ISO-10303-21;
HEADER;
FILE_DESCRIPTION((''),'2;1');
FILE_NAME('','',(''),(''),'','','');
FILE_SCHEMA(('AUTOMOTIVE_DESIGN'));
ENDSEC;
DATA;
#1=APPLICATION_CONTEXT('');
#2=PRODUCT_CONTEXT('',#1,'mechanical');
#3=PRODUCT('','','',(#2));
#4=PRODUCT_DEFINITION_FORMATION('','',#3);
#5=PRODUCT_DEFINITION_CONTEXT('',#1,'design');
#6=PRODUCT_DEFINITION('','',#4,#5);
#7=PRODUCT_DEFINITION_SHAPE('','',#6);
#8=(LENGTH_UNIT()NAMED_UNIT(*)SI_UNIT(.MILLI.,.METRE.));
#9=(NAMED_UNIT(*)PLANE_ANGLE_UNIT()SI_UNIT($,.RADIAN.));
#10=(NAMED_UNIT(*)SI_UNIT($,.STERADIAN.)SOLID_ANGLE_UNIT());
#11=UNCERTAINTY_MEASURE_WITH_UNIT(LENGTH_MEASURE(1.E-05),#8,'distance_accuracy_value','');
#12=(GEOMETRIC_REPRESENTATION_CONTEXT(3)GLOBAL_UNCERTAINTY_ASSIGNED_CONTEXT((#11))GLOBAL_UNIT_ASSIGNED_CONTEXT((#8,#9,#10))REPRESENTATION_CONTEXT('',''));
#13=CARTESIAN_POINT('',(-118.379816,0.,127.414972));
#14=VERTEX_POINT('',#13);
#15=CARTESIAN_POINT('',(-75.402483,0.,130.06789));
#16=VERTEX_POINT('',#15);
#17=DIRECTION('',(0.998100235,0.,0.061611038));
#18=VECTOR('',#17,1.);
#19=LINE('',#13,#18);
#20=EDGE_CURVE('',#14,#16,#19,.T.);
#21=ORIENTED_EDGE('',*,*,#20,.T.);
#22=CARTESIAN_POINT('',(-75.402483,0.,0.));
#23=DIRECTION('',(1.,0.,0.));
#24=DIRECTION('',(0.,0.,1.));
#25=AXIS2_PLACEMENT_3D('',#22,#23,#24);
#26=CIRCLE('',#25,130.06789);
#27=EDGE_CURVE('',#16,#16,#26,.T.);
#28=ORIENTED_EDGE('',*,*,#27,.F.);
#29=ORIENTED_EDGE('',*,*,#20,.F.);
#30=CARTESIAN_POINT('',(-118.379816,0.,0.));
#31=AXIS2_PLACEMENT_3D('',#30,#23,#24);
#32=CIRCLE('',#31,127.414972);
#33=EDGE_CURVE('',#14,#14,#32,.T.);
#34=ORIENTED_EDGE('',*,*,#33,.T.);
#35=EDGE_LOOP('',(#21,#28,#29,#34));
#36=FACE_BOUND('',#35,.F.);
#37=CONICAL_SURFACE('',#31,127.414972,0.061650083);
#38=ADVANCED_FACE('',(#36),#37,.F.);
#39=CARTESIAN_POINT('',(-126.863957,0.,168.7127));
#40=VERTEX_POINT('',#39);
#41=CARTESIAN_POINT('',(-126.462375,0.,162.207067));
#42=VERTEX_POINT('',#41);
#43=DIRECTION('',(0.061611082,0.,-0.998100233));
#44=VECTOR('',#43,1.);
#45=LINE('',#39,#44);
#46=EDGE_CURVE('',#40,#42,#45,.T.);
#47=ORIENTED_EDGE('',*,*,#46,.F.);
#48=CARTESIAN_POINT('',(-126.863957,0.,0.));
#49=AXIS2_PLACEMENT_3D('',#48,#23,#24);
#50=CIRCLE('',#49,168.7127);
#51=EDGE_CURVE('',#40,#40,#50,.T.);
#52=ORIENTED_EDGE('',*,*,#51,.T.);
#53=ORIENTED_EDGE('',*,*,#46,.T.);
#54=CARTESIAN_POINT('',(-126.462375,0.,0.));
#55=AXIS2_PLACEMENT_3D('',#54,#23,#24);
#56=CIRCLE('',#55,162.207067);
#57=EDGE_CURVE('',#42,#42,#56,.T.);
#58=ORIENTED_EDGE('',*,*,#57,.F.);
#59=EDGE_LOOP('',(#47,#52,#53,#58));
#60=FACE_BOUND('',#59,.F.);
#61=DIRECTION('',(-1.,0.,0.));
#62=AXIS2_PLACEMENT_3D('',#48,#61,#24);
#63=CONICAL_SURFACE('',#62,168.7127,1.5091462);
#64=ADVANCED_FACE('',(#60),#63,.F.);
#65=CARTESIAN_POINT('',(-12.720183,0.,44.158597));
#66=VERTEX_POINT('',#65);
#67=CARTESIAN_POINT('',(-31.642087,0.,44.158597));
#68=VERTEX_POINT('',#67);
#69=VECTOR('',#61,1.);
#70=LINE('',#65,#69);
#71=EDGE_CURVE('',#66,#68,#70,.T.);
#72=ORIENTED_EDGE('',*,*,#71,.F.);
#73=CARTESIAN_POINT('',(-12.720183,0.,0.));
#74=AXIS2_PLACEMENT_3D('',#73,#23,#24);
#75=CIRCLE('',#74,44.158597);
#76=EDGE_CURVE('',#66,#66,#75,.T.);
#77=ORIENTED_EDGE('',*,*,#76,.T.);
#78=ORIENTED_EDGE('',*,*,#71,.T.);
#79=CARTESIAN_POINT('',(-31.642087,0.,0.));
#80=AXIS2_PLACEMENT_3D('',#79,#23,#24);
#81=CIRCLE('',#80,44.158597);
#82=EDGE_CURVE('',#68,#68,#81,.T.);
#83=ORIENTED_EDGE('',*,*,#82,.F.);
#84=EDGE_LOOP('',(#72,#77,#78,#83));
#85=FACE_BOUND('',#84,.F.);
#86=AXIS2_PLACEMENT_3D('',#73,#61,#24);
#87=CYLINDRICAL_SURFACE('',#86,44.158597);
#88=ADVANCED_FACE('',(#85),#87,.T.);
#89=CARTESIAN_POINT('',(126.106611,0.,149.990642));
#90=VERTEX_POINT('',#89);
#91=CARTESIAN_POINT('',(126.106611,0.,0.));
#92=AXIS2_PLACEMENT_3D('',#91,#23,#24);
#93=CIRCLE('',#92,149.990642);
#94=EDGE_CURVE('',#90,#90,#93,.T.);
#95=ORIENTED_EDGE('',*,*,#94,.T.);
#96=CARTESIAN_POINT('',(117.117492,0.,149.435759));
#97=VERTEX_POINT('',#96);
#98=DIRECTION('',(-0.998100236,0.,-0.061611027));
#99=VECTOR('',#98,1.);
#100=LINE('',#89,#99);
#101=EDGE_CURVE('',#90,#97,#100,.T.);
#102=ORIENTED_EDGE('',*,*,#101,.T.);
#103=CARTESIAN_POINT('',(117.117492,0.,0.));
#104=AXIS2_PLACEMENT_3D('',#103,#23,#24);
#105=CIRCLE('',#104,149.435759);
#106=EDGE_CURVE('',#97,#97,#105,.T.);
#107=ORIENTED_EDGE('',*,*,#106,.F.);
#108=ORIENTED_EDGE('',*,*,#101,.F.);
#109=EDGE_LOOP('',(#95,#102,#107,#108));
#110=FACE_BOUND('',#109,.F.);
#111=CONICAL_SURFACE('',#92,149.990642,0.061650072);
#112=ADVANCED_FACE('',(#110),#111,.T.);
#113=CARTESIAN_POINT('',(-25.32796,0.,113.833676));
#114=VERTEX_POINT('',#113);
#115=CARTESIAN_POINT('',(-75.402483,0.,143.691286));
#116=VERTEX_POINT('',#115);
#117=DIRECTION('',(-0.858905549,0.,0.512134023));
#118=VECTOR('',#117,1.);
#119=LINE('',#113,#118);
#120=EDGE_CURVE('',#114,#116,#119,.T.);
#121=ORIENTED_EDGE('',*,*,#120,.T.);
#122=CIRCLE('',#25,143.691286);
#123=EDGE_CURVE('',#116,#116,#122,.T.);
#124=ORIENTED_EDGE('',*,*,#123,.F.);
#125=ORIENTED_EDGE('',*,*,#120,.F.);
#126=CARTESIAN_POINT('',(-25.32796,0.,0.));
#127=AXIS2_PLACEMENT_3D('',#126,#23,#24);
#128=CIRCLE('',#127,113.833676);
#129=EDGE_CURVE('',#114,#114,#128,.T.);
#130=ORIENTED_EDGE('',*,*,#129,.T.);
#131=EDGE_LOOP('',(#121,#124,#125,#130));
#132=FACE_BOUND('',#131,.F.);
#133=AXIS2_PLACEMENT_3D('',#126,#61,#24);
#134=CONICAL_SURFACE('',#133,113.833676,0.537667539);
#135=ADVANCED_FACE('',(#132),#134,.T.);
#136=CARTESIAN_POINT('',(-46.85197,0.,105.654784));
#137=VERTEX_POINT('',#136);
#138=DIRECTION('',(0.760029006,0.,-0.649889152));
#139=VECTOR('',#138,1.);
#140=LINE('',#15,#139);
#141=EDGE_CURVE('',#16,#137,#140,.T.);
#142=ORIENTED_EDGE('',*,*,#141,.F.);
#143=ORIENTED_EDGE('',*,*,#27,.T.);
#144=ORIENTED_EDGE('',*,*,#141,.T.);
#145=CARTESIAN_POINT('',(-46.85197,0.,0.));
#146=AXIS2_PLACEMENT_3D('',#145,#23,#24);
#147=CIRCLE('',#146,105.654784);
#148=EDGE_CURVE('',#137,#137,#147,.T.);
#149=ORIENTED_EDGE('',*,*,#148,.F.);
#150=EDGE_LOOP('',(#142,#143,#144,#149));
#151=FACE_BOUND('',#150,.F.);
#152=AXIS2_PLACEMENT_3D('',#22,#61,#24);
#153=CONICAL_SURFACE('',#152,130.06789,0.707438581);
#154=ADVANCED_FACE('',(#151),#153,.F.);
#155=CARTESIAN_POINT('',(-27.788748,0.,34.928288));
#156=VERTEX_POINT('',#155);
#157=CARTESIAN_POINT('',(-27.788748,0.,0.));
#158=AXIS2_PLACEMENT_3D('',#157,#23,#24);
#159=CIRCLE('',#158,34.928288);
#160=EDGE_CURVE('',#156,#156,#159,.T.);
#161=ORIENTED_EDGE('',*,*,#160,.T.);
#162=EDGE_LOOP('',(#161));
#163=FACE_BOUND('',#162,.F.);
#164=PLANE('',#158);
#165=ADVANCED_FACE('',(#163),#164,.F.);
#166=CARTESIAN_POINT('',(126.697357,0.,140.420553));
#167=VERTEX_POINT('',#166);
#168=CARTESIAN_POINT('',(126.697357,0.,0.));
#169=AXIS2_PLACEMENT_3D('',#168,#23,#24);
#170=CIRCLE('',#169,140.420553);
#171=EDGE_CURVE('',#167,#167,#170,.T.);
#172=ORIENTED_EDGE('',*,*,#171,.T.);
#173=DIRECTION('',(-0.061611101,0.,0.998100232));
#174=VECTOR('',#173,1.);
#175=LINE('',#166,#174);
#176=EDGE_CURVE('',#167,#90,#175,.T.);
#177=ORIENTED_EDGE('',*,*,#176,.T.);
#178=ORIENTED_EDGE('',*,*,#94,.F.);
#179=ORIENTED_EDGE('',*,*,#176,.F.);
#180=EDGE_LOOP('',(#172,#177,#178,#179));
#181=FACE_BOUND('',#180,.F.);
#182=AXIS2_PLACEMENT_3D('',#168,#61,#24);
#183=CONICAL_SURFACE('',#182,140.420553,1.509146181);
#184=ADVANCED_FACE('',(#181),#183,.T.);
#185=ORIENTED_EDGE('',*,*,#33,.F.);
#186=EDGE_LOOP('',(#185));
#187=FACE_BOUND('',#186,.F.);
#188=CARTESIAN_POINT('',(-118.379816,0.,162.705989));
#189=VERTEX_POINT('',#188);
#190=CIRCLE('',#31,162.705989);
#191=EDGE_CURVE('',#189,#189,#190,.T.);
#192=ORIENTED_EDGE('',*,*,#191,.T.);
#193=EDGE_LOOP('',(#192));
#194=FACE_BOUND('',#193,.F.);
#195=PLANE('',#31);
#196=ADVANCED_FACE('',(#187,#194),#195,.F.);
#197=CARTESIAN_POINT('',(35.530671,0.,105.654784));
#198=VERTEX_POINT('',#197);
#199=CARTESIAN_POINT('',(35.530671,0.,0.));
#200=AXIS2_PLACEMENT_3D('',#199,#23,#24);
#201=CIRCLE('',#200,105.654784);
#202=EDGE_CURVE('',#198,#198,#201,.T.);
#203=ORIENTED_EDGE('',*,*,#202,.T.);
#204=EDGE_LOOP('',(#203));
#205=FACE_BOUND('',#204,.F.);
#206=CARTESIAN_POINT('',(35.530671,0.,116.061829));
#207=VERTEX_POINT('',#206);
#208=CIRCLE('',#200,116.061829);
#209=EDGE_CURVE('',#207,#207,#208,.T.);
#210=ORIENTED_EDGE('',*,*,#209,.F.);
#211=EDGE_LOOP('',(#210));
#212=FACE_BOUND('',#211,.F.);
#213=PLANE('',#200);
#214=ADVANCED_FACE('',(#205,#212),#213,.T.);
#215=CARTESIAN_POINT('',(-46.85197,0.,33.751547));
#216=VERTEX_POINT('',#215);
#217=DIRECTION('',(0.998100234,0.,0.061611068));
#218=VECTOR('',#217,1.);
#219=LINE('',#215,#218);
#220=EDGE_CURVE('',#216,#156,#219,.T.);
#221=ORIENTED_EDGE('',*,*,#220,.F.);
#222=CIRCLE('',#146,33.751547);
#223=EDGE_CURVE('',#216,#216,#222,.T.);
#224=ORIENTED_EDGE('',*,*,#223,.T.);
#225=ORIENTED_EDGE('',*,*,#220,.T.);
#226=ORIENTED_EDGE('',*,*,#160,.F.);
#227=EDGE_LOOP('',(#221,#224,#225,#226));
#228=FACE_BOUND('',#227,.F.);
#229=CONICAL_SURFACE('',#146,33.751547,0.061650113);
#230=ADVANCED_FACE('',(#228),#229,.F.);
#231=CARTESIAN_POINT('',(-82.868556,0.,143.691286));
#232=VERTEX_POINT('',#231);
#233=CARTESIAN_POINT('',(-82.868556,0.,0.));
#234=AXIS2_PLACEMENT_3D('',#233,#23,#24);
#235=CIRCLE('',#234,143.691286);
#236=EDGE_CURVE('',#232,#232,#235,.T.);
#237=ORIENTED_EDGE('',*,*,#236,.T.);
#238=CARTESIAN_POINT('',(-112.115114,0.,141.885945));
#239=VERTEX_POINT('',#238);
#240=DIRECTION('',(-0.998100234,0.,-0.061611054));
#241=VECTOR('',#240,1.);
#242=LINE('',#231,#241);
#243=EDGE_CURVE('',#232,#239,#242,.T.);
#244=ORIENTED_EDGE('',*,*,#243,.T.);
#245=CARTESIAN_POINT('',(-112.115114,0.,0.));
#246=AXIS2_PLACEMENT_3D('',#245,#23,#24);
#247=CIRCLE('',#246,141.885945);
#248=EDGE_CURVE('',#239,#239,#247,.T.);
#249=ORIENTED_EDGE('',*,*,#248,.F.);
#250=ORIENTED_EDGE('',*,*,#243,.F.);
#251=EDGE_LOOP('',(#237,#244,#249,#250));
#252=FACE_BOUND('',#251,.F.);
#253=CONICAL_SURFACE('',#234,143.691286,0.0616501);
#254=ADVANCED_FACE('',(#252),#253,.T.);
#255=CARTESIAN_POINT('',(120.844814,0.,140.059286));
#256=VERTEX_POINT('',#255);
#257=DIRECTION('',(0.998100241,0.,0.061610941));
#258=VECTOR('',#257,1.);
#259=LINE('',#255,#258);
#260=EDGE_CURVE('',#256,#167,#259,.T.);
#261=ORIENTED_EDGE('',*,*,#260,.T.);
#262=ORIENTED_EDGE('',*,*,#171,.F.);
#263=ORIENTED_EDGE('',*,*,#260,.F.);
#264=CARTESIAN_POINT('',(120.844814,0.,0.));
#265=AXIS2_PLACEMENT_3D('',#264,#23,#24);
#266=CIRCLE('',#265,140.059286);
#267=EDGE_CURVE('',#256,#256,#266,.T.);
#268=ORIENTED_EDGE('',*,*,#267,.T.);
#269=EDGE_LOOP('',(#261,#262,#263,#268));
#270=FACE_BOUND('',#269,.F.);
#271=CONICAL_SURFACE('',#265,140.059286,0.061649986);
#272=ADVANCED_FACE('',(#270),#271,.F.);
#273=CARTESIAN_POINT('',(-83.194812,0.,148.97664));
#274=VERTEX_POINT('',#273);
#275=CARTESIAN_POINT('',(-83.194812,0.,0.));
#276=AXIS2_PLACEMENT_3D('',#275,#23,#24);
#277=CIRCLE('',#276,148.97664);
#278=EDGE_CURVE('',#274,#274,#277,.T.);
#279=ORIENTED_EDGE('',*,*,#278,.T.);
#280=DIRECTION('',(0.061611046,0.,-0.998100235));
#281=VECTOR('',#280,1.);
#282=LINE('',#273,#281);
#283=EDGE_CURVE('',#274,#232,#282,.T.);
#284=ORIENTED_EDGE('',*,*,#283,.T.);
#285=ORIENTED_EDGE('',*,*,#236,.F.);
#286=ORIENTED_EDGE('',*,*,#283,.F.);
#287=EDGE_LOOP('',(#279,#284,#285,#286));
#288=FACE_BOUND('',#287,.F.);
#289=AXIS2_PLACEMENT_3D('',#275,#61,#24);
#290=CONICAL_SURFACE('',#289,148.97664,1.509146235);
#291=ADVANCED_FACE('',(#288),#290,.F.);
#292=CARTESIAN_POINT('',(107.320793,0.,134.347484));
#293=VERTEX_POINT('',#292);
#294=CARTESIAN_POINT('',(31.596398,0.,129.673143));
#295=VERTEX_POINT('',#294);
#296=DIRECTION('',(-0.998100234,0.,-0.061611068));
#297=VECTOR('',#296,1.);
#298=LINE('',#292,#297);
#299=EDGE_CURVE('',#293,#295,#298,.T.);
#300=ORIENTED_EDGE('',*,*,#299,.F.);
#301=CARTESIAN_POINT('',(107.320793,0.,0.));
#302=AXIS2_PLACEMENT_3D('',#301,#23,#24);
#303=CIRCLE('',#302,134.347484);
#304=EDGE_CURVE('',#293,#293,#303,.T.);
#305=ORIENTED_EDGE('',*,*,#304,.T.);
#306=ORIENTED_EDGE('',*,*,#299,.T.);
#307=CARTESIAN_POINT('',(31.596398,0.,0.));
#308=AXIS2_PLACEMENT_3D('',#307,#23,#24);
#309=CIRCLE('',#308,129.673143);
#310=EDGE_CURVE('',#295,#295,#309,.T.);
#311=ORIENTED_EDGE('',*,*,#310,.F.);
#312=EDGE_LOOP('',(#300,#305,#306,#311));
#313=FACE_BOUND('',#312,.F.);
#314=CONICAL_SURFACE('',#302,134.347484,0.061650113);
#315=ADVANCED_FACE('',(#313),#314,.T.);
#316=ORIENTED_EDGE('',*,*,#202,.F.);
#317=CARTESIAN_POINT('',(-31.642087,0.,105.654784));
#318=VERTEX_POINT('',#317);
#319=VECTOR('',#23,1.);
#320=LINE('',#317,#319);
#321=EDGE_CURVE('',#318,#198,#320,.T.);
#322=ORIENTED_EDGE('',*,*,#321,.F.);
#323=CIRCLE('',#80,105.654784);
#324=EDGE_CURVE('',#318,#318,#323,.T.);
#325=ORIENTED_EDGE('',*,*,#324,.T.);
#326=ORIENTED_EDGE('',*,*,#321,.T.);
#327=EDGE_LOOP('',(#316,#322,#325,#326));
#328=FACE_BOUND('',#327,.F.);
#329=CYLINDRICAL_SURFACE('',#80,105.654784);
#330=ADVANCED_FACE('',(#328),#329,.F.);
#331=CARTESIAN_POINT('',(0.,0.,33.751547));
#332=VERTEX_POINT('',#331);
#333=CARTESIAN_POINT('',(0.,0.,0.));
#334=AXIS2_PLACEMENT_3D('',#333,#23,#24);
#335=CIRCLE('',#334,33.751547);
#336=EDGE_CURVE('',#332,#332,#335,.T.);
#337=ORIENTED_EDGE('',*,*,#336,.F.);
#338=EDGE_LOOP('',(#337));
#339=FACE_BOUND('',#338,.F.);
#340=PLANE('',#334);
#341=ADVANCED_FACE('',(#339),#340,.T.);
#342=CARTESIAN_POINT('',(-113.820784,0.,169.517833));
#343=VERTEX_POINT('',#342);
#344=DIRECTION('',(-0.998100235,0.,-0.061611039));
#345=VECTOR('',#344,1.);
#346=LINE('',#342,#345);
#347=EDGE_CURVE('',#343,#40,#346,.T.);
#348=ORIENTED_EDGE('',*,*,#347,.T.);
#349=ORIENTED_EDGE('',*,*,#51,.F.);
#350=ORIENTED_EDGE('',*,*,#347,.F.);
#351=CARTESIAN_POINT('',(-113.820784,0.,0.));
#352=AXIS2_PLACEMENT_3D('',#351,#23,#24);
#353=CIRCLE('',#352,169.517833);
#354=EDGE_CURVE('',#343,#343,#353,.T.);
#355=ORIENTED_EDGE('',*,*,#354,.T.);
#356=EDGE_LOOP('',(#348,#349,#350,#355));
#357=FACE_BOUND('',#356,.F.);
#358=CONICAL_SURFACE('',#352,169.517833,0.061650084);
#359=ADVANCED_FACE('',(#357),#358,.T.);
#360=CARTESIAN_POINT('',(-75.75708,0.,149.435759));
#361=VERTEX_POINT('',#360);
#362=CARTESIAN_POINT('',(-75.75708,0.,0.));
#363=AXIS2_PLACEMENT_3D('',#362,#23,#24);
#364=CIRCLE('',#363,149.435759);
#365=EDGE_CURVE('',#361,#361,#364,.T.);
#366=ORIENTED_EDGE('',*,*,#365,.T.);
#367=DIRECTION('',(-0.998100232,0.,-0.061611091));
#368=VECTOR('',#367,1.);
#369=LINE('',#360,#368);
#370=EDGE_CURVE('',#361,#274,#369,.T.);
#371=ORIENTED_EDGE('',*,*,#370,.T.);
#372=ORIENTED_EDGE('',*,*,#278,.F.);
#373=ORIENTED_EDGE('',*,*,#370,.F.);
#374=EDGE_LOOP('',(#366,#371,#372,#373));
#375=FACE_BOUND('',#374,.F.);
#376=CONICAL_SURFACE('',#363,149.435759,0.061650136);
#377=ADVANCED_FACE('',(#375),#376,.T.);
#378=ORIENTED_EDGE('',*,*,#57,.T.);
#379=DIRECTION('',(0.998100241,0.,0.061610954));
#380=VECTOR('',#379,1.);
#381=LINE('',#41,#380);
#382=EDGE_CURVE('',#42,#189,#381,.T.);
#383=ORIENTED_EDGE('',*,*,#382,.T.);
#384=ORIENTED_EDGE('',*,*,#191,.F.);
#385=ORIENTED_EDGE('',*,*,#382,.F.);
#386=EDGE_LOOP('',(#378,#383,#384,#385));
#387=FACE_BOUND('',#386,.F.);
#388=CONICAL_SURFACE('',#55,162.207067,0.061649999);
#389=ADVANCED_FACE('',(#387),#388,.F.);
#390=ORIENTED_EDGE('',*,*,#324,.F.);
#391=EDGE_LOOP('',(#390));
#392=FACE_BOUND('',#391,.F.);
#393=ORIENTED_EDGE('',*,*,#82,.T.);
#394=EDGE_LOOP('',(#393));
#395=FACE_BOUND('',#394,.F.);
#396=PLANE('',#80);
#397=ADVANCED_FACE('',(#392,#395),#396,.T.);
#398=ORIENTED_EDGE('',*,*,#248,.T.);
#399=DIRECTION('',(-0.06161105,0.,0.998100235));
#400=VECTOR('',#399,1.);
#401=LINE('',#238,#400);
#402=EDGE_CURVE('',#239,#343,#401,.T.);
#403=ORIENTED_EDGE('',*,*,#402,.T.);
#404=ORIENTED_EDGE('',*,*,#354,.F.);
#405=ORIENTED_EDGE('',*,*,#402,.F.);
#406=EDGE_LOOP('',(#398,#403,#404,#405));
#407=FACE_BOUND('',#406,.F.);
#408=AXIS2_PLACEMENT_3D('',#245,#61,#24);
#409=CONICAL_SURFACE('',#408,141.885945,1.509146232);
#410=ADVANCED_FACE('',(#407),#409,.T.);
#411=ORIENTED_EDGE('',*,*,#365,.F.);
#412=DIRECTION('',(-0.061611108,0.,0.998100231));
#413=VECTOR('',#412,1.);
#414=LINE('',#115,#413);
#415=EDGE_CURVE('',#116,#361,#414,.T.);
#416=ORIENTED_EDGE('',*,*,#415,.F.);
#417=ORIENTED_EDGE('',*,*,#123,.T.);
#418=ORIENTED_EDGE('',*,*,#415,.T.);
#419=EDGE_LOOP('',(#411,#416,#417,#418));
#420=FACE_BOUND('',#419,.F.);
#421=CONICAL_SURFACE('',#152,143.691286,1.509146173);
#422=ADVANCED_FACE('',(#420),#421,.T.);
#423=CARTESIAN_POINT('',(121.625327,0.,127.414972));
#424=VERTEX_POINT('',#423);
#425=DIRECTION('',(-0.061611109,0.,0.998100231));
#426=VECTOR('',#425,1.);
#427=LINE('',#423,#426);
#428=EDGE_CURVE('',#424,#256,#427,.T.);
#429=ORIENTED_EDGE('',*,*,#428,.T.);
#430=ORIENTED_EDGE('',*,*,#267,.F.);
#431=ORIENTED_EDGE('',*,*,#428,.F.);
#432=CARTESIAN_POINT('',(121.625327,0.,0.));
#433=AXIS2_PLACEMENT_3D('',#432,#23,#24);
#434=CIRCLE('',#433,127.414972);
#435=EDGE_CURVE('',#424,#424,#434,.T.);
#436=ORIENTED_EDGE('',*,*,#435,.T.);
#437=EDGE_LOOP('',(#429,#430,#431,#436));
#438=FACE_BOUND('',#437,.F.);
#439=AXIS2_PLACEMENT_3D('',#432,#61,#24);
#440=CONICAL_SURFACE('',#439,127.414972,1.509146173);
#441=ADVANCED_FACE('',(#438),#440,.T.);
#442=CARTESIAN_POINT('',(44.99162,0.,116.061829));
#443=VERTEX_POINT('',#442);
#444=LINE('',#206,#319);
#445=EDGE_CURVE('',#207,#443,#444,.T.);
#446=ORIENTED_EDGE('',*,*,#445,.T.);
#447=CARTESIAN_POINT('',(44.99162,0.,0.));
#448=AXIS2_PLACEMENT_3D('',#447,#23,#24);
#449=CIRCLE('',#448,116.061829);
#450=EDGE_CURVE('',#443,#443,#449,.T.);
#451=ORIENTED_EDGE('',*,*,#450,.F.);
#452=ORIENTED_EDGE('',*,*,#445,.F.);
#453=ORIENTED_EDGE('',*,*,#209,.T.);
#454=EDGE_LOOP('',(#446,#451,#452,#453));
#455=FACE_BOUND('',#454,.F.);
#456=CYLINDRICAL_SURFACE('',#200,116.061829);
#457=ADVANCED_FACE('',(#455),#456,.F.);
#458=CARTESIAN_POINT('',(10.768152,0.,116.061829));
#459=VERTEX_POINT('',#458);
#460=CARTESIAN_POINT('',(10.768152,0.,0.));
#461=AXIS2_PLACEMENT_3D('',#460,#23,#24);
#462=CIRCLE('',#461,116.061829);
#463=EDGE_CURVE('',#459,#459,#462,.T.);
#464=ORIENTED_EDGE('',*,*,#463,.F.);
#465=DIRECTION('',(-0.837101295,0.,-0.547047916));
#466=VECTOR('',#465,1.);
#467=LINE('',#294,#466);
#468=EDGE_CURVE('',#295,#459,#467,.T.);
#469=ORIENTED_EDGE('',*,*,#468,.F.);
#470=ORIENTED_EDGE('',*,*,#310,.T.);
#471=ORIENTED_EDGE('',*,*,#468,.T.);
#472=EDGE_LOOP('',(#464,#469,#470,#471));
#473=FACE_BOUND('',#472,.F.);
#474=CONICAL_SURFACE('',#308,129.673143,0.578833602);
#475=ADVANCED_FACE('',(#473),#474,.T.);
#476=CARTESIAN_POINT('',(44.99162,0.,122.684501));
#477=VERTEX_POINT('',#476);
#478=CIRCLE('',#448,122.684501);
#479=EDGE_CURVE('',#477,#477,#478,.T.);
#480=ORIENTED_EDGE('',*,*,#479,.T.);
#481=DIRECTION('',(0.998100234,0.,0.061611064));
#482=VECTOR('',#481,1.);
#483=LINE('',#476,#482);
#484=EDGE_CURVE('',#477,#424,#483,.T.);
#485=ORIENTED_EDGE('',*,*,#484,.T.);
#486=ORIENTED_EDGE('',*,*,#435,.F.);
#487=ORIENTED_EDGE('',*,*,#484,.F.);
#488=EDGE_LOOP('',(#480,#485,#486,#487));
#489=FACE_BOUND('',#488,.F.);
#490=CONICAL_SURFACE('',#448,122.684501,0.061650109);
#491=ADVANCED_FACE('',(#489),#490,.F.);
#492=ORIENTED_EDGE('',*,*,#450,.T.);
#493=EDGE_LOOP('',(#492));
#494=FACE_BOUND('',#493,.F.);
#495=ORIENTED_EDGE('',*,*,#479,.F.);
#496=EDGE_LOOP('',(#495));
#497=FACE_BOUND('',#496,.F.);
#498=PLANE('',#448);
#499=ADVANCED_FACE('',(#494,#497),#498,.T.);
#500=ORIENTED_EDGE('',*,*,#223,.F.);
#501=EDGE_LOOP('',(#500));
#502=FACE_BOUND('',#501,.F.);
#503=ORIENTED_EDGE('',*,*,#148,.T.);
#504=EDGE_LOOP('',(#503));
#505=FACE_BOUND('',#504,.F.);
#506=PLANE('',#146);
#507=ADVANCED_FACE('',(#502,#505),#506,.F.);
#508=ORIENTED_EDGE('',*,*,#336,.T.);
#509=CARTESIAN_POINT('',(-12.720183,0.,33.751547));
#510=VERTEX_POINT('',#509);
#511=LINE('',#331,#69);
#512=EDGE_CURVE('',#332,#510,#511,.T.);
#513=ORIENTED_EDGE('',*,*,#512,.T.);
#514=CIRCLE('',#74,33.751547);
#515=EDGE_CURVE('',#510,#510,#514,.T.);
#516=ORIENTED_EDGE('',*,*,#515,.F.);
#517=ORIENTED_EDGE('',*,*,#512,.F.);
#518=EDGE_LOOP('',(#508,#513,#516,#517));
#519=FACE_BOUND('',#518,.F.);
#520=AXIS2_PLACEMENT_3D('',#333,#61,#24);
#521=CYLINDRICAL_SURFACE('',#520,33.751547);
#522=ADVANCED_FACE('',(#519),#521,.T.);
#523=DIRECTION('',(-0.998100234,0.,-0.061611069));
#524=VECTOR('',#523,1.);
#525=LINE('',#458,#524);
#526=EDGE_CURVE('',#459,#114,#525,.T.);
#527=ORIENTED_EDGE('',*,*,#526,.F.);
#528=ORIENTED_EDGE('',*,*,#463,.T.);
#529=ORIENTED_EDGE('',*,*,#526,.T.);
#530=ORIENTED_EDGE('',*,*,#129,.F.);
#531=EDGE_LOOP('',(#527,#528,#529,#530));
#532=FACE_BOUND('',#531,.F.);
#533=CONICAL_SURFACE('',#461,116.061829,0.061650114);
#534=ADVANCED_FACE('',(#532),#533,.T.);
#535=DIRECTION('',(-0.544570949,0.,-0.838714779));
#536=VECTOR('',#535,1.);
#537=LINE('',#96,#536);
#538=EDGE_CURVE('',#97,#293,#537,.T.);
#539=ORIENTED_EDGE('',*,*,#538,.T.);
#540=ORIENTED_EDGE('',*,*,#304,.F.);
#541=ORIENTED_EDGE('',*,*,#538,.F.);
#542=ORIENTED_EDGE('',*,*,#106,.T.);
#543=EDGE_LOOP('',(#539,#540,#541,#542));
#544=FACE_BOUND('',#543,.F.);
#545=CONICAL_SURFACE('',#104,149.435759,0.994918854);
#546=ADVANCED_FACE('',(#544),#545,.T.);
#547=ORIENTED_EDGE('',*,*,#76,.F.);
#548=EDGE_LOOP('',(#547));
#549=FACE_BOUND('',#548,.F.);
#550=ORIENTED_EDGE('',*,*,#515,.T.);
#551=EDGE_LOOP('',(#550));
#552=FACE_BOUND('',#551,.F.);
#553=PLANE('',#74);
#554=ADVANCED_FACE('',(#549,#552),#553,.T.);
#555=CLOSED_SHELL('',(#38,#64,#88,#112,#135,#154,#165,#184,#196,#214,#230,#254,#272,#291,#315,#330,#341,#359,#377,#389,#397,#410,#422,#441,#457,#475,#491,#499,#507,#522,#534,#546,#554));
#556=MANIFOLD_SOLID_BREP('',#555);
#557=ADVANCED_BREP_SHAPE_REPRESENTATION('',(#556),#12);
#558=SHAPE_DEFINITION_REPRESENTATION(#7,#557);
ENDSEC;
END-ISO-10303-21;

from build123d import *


with BuildPart() as f1:
    # F0 (on Front) → F1 (revolve)
    with BuildSketch(Plane.XZ):
        Polygon((-27.788748, 0), (0, 0), (0, 33.751547), (-12.720183, 33.751547), (-12.720183, 44.158597), (-31.642087, 44.158597), (-31.642087, 105.654784), (35.530671, 105.654784), (35.530671, 116.061829), (44.99162, 116.061829), (44.99162, 122.684501), (121.625327, 127.414972), (120.844814, 140.059286), (126.697357, 140.420553), (126.106611, 149.990642), (117.117492, 149.435759), (107.320793, 134.347484), (31.596398, 129.673143), (10.768152, 116.061829), (-25.32796, 113.833676), (-75.402483, 143.691286), (-75.75708, 149.435759), (-83.194812, 148.97664), (-82.868556, 143.691286), (-112.115114, 141.885945), (-113.820784, 169.517833), (-126.863957, 168.7127), (-126.462375, 162.207067), (-118.379816, 162.705989), (-118.379816, 127.414972), (-75.402483, 130.06789), (-46.85197, 105.654784), (-46.85197, 33.751547), (-27.788748, 34.928288), align=None)
    revolve(axis=Axis((-13.894374, 0, 0), (1, 0, 0)))


solid = f1.part
